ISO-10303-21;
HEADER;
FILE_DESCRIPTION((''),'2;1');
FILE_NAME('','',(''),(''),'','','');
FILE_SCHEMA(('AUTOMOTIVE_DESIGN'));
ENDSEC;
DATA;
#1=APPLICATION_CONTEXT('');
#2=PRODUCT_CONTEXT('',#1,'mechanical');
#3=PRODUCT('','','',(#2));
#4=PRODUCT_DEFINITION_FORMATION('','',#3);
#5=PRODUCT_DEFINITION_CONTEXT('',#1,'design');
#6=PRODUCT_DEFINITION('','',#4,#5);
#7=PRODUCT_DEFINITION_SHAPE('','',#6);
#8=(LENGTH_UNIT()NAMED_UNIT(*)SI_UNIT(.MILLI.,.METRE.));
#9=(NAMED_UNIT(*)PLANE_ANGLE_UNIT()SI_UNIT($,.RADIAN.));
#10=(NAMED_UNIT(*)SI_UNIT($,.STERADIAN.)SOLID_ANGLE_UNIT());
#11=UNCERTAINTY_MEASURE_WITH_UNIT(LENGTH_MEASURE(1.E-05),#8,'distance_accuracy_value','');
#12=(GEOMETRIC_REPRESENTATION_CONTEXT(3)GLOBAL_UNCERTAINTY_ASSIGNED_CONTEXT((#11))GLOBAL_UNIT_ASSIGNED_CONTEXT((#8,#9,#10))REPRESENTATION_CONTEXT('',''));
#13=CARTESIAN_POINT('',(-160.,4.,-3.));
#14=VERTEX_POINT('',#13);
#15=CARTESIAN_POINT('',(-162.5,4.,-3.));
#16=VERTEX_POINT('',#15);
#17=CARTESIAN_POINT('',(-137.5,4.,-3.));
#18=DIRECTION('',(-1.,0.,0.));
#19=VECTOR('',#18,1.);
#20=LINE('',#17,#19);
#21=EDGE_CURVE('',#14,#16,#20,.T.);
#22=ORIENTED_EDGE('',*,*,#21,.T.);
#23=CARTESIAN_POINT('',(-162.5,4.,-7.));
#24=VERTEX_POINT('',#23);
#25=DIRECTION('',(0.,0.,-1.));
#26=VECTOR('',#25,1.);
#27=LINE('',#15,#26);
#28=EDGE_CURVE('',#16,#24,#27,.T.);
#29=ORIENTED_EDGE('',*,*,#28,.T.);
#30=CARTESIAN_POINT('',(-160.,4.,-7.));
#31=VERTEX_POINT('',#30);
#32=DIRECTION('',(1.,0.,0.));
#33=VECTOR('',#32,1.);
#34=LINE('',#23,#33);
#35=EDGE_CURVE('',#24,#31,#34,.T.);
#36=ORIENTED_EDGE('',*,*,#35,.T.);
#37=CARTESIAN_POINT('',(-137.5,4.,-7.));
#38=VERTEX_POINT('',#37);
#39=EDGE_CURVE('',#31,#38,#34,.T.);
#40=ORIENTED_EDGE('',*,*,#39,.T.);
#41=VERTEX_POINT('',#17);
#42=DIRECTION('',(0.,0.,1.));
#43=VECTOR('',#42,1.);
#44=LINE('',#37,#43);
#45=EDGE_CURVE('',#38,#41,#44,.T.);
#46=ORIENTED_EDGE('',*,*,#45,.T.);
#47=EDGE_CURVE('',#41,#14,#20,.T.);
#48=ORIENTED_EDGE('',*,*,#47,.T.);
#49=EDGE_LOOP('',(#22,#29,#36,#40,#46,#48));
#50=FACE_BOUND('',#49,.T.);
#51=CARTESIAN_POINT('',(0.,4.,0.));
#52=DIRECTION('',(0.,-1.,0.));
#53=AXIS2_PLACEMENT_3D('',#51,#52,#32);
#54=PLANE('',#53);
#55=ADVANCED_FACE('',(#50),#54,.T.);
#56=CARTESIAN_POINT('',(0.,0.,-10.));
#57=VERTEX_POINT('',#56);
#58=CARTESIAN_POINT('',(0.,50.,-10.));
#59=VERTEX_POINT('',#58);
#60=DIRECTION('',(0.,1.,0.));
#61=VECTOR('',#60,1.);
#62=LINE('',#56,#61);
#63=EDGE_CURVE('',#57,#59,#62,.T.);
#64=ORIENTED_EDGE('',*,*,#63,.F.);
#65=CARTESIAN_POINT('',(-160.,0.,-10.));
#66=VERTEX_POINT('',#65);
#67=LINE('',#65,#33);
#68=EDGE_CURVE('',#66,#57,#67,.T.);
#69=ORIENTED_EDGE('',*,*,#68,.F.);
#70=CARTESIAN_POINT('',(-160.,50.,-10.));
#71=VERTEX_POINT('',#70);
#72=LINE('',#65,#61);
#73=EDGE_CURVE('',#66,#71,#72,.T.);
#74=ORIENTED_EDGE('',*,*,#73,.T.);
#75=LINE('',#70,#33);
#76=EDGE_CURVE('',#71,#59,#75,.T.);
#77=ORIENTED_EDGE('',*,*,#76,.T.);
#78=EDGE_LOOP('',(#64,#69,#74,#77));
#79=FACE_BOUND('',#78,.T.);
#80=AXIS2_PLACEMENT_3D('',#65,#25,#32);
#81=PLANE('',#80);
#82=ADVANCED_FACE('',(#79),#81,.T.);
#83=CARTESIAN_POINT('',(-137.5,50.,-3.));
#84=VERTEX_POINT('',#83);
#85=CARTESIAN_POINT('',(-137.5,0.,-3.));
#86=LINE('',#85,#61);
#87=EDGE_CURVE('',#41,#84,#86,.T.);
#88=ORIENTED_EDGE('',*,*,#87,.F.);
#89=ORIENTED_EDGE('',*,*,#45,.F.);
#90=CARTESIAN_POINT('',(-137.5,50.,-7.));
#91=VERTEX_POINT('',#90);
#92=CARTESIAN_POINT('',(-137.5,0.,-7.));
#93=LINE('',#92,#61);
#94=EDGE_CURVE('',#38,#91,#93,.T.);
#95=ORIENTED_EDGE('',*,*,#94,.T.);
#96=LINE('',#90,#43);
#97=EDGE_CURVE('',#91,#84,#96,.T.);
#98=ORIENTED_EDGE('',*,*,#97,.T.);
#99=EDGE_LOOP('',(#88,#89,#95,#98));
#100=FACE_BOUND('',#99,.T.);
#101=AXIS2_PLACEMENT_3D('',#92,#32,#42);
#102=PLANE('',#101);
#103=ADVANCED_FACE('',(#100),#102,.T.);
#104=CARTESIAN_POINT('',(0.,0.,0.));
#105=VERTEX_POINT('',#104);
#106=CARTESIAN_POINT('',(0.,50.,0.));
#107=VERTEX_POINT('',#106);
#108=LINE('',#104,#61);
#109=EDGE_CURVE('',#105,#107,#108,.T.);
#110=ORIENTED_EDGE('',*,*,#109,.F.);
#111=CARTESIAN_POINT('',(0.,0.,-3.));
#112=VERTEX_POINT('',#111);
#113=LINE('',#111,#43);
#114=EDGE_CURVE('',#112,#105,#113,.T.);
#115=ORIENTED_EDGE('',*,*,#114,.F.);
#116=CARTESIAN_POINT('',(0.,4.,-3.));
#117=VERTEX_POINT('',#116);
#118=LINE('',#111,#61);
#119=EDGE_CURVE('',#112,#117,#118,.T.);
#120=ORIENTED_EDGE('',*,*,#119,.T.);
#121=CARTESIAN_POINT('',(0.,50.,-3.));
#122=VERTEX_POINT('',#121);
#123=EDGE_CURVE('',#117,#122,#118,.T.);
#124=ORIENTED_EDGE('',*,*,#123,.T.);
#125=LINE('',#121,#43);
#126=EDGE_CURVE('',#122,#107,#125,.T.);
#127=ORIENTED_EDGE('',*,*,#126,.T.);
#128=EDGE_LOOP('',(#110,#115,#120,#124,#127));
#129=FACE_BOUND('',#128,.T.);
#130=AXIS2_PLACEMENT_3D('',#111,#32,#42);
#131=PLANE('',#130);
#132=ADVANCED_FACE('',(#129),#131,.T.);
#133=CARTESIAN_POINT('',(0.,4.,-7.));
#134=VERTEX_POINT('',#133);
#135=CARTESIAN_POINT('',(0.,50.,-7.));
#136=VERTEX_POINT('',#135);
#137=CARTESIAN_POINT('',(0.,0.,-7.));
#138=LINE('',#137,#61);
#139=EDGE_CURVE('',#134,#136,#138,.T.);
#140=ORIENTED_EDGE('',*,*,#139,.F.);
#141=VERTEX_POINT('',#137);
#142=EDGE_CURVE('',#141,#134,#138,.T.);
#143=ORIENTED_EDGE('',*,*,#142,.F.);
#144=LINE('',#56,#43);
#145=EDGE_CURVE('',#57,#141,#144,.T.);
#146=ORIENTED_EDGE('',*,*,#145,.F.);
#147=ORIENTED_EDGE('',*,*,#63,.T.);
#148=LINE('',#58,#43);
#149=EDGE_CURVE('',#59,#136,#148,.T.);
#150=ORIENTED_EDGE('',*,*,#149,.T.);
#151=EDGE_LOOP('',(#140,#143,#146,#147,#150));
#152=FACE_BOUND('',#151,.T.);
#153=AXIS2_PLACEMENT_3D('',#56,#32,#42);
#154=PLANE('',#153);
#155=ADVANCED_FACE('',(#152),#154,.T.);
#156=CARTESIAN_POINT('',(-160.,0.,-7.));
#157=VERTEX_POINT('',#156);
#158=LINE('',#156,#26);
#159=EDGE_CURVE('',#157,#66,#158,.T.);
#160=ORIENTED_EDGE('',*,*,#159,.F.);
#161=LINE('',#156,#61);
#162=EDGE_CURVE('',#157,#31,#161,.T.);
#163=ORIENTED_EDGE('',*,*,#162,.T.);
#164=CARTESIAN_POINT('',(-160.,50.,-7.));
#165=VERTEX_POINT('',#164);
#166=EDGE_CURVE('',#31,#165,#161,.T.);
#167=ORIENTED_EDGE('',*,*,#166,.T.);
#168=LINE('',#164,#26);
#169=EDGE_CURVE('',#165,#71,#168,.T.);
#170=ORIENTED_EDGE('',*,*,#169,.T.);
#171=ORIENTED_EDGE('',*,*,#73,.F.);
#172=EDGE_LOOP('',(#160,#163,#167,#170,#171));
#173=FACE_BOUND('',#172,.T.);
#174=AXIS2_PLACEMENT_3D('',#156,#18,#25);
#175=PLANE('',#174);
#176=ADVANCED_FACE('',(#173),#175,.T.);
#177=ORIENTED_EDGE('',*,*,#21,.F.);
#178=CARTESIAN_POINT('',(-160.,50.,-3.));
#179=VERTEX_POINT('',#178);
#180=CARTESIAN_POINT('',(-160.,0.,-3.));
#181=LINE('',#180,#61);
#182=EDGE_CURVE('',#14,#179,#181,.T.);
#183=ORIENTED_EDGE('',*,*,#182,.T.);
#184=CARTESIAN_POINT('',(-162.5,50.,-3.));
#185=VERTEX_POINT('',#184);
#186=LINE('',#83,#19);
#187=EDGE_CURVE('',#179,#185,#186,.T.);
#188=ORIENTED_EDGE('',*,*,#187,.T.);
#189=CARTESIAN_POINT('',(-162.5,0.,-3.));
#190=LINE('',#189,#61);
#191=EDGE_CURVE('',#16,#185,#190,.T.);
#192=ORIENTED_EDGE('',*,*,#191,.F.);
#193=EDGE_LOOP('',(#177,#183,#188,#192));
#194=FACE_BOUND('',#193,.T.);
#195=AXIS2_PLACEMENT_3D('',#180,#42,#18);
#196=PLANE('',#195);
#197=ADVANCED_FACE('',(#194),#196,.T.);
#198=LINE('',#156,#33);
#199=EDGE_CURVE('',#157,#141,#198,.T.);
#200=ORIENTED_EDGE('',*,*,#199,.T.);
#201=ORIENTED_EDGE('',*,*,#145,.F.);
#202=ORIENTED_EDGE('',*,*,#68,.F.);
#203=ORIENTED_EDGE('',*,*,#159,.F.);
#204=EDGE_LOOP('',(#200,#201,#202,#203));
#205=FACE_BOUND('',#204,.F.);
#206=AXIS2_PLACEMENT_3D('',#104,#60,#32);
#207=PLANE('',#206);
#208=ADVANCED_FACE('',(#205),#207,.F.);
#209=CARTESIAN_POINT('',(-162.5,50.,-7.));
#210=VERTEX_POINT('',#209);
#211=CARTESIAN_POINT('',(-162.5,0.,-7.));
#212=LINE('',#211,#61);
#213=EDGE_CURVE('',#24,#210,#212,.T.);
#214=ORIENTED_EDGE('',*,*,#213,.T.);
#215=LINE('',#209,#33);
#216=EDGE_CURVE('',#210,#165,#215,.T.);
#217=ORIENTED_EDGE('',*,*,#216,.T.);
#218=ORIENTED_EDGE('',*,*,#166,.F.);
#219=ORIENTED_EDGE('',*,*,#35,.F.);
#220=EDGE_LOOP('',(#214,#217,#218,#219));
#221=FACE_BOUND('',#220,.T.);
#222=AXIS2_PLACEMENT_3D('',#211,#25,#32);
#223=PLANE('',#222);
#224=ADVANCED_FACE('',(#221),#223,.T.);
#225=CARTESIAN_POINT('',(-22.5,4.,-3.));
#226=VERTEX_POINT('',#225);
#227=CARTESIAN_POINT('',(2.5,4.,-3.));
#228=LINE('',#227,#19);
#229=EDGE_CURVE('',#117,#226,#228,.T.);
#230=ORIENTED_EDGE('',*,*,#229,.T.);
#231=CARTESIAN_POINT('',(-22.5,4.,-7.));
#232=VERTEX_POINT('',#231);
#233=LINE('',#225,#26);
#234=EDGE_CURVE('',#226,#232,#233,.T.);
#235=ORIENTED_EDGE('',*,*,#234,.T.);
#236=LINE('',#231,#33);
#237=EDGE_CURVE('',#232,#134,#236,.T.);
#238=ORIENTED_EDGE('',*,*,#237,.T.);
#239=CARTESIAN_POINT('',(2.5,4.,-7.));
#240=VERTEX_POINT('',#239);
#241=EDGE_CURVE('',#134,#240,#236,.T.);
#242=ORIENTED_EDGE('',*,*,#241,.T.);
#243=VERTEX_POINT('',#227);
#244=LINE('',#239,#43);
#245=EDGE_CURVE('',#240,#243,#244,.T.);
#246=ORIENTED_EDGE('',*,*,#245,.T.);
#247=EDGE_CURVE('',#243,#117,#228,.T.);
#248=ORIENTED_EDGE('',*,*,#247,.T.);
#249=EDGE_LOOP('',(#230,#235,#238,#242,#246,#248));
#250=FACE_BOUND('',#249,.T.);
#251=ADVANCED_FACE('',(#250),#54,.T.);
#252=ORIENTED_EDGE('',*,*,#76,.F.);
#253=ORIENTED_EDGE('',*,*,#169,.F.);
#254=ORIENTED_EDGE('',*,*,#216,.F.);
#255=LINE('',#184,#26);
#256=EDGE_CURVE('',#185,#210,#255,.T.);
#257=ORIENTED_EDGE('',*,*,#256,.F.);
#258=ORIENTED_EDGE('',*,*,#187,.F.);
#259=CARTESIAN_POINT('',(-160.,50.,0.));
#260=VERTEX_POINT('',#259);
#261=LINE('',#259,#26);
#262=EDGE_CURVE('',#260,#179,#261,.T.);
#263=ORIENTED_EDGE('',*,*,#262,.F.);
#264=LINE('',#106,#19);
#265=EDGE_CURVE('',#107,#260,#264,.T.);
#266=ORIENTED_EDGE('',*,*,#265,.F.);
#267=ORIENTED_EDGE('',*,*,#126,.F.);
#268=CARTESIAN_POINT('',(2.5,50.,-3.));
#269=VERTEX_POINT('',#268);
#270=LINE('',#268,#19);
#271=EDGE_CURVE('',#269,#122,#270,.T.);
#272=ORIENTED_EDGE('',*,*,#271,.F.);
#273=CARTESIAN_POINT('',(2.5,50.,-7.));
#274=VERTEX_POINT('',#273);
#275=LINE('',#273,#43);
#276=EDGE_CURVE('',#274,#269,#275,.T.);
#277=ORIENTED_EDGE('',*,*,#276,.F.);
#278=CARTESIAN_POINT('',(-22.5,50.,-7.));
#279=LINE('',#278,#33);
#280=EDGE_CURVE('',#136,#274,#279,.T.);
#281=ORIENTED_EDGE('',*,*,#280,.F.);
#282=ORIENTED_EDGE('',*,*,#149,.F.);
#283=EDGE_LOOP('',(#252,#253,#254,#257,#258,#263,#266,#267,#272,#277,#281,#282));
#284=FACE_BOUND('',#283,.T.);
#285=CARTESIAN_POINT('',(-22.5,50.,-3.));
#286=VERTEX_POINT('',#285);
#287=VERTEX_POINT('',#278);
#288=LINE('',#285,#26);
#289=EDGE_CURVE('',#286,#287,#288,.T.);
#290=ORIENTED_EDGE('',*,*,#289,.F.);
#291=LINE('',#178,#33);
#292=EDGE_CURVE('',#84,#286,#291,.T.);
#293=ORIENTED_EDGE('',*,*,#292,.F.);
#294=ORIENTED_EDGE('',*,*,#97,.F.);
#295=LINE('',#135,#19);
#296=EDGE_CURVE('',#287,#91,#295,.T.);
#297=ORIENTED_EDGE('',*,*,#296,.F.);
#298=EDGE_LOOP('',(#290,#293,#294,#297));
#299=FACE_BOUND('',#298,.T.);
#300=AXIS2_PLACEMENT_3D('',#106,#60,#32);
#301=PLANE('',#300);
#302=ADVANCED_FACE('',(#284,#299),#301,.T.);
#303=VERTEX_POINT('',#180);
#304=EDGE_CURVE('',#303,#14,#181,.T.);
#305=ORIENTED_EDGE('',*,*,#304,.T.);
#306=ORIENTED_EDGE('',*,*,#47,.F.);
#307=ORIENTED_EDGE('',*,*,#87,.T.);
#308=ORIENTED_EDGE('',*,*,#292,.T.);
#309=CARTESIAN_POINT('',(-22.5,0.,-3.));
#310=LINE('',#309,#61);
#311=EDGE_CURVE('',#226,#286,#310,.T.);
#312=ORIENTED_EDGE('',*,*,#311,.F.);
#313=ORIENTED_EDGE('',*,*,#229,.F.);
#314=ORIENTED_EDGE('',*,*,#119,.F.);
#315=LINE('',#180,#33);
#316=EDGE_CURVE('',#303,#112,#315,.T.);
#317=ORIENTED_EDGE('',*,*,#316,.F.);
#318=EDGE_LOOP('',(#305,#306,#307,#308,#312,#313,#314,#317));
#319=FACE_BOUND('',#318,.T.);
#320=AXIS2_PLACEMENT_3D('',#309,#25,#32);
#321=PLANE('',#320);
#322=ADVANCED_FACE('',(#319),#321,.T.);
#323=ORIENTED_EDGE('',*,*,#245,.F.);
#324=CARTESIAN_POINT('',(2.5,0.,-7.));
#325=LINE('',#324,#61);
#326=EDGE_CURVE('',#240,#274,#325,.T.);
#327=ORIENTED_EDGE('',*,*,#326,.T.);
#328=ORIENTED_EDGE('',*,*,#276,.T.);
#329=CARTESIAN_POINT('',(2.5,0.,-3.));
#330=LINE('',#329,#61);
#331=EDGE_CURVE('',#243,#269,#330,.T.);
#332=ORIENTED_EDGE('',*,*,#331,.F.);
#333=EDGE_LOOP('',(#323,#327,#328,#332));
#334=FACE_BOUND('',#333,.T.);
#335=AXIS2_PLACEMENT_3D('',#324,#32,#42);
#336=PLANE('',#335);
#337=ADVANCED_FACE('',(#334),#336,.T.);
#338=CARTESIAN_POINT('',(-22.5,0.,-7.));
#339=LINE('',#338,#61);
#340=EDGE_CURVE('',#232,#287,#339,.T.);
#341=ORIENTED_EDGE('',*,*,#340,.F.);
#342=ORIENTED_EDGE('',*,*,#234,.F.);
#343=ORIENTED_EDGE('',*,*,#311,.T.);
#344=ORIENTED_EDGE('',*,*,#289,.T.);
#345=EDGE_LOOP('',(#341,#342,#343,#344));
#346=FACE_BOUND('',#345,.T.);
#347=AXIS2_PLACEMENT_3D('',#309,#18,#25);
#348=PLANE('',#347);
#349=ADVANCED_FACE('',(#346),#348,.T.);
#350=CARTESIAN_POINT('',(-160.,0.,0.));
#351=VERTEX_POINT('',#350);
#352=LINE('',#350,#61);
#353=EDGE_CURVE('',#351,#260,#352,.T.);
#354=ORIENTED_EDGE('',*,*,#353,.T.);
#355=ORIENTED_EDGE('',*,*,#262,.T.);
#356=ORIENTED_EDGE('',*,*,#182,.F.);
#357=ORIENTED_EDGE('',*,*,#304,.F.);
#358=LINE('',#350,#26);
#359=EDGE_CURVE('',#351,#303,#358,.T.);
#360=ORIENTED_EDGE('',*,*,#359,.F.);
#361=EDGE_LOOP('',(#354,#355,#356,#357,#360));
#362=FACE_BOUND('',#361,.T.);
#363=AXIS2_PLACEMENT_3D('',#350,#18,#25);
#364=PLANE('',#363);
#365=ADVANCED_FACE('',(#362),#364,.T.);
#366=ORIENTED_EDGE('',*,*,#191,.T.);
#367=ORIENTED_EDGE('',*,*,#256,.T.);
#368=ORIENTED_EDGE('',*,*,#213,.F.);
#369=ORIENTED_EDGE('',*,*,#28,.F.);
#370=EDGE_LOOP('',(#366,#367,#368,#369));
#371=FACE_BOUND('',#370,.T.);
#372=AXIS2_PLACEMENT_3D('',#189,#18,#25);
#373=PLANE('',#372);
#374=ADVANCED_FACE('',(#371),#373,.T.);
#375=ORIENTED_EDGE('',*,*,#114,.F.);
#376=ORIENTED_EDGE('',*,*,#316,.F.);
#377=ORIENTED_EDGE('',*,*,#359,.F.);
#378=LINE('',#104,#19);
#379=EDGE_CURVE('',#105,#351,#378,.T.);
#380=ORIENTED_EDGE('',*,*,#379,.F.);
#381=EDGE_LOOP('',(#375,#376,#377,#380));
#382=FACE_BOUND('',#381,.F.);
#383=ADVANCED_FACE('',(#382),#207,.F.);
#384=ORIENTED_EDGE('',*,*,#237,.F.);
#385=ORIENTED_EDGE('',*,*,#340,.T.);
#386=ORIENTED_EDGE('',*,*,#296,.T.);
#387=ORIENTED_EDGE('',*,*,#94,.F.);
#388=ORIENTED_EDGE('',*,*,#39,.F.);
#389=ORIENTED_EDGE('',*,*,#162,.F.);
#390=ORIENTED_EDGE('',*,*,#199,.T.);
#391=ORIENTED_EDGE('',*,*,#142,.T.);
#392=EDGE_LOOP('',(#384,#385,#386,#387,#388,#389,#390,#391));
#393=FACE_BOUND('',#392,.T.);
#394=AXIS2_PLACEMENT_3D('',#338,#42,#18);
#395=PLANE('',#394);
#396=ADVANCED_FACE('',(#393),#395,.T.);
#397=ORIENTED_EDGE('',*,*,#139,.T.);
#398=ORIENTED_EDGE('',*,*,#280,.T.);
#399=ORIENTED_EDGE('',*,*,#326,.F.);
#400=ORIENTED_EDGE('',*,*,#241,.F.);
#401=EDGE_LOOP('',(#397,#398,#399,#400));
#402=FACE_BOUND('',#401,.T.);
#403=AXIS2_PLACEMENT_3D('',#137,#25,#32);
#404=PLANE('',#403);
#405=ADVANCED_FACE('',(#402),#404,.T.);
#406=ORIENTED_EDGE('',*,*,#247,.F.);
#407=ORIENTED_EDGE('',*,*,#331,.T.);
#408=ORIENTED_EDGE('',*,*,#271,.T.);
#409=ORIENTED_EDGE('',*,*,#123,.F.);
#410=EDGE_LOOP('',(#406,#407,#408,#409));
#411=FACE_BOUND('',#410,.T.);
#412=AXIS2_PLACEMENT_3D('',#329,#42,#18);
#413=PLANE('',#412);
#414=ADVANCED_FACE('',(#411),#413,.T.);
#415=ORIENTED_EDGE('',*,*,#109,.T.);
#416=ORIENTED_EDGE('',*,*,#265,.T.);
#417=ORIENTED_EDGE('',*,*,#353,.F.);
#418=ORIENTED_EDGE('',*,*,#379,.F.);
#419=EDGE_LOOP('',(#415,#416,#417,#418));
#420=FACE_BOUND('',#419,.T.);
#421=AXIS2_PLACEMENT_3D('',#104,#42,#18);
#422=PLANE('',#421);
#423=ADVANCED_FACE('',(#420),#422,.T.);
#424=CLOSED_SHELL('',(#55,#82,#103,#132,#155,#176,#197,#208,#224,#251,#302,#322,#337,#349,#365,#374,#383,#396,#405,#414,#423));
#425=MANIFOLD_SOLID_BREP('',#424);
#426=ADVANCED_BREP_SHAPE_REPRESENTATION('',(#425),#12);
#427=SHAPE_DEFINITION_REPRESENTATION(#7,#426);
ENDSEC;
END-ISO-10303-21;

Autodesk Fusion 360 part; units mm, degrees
sketch "Esquisse1" plane through (0, 0, 0) normal (0, 1, 0) x (1, 0, 0)
  line L0 (0, 0) -> (-160, 0)
  line L1 (-160, 0) -> (-160, 3)
  line L2 (-160, 3) -> (0, 3)
  line L3 (0, 3) -> (0, 0)
  line L4 (0, 7) -> (-160, 7)
  line L5 (-160, 7) -> (-160, 10)
  line L6 (-160, 10) -> (0, 10)
  line L7 (0, 10) -> (0, 7)
  line L8 (-137.5, 3) -> (-162.5, 3)
  line L9 (-162.5, 3) -> (-162.5, 7)
  line L10 (-162.5, 7) -> (-137.5, 7)
  line L11 (-137.5, 7) -> (-137.5, 3)
  line L12 (-22.5, 7) -> (2.5, 7)
  line L13 (2.5, 7) -> (2.5, 3)
  line L14 (2.5, 3) -> (-22.5, 3)
  line L15 (-22.5, 3) -> (-22.5, 7)
  dimension "d1" = 160
  dimension "d2" = 3
  dimension "d3" = 160
  dimension "d4" = 3
  dimension "d5" = 4
  dimension "d6" = 25
  dimension "d7" = 2.5
  dimension "d8" = 4
  dimension "d9" = 4
  dimension "d10" = 25
  dimension "d11" = 2.5
extrude "Extrusion1" add sketch "Esquisse1" along normal blind 50 contours L0 L1 L2 L3 L8 L14 | L2 L4 L12 L13 L14 L15 | L2 L4 L8 L9 L10 L11 | L4 L5 L6 L7 L10 L12
sketch "Esquisse2" plane through (0, 0, 0) normal (0, -1, 0) x (1, 0, 0)
  line L0 (-22.5, -3) -> (-22.5, -7)
  line L1 (-22.5, -7) -> (-137.5, -7)
  line L2 (-137.5, -7) -> (-137.5, -3)
  line L3 (-137.5, -3) -> (-22.5, -3)
  line L4 (2.5, -7) -> (2.5, -3)
  line L5 (2.5, -3) -> (0, -3)
  line L6 (0, -3) -> (0, 0)
  line L7 (0, 0) -> (-160, 0)
  line L8 (-160, 0) -> (-160, -3)
  line L9 (-160, -3) -> (-162.5, -3)
  line L10 (-162.5, -3) -> (-162.5, -7)
  line L11 (-162.5, -7) -> (-160, -7)
  line L12 (-160, -7) -> (-160, -10)
  line L13 (-160, -10) -> (0, -10)
  line L14 (0, -10) -> (0, -7)
  line L15 (0, -7) -> (2.5, -7)
  line L16 (-22.5, -3) -> (2.5, -3)
  line L17 (2.5, -3) -> (2.5, -7)
  line L18 (2.5, -7) -> (-22.5, -7)
  line L19 (-22.5, -7) -> (-22.5, -3)
  line L20 (-137.5, -7) -> (-162.5, -7)
  line L21 (-162.5, -7) -> (-162.5, -3)
  line L22 (-162.5, -3) -> (-137.5, -3)
  line L23 (-137.5, -3) -> (-137.5, -7)
extrude "Extrusion2" cut sketch "Esquisse2" against normal blind 4 contours L0 L4 L5 L15 L16 L17 L18 L19 | L2 L9 L10 L11 L20 L21 L22 L23
